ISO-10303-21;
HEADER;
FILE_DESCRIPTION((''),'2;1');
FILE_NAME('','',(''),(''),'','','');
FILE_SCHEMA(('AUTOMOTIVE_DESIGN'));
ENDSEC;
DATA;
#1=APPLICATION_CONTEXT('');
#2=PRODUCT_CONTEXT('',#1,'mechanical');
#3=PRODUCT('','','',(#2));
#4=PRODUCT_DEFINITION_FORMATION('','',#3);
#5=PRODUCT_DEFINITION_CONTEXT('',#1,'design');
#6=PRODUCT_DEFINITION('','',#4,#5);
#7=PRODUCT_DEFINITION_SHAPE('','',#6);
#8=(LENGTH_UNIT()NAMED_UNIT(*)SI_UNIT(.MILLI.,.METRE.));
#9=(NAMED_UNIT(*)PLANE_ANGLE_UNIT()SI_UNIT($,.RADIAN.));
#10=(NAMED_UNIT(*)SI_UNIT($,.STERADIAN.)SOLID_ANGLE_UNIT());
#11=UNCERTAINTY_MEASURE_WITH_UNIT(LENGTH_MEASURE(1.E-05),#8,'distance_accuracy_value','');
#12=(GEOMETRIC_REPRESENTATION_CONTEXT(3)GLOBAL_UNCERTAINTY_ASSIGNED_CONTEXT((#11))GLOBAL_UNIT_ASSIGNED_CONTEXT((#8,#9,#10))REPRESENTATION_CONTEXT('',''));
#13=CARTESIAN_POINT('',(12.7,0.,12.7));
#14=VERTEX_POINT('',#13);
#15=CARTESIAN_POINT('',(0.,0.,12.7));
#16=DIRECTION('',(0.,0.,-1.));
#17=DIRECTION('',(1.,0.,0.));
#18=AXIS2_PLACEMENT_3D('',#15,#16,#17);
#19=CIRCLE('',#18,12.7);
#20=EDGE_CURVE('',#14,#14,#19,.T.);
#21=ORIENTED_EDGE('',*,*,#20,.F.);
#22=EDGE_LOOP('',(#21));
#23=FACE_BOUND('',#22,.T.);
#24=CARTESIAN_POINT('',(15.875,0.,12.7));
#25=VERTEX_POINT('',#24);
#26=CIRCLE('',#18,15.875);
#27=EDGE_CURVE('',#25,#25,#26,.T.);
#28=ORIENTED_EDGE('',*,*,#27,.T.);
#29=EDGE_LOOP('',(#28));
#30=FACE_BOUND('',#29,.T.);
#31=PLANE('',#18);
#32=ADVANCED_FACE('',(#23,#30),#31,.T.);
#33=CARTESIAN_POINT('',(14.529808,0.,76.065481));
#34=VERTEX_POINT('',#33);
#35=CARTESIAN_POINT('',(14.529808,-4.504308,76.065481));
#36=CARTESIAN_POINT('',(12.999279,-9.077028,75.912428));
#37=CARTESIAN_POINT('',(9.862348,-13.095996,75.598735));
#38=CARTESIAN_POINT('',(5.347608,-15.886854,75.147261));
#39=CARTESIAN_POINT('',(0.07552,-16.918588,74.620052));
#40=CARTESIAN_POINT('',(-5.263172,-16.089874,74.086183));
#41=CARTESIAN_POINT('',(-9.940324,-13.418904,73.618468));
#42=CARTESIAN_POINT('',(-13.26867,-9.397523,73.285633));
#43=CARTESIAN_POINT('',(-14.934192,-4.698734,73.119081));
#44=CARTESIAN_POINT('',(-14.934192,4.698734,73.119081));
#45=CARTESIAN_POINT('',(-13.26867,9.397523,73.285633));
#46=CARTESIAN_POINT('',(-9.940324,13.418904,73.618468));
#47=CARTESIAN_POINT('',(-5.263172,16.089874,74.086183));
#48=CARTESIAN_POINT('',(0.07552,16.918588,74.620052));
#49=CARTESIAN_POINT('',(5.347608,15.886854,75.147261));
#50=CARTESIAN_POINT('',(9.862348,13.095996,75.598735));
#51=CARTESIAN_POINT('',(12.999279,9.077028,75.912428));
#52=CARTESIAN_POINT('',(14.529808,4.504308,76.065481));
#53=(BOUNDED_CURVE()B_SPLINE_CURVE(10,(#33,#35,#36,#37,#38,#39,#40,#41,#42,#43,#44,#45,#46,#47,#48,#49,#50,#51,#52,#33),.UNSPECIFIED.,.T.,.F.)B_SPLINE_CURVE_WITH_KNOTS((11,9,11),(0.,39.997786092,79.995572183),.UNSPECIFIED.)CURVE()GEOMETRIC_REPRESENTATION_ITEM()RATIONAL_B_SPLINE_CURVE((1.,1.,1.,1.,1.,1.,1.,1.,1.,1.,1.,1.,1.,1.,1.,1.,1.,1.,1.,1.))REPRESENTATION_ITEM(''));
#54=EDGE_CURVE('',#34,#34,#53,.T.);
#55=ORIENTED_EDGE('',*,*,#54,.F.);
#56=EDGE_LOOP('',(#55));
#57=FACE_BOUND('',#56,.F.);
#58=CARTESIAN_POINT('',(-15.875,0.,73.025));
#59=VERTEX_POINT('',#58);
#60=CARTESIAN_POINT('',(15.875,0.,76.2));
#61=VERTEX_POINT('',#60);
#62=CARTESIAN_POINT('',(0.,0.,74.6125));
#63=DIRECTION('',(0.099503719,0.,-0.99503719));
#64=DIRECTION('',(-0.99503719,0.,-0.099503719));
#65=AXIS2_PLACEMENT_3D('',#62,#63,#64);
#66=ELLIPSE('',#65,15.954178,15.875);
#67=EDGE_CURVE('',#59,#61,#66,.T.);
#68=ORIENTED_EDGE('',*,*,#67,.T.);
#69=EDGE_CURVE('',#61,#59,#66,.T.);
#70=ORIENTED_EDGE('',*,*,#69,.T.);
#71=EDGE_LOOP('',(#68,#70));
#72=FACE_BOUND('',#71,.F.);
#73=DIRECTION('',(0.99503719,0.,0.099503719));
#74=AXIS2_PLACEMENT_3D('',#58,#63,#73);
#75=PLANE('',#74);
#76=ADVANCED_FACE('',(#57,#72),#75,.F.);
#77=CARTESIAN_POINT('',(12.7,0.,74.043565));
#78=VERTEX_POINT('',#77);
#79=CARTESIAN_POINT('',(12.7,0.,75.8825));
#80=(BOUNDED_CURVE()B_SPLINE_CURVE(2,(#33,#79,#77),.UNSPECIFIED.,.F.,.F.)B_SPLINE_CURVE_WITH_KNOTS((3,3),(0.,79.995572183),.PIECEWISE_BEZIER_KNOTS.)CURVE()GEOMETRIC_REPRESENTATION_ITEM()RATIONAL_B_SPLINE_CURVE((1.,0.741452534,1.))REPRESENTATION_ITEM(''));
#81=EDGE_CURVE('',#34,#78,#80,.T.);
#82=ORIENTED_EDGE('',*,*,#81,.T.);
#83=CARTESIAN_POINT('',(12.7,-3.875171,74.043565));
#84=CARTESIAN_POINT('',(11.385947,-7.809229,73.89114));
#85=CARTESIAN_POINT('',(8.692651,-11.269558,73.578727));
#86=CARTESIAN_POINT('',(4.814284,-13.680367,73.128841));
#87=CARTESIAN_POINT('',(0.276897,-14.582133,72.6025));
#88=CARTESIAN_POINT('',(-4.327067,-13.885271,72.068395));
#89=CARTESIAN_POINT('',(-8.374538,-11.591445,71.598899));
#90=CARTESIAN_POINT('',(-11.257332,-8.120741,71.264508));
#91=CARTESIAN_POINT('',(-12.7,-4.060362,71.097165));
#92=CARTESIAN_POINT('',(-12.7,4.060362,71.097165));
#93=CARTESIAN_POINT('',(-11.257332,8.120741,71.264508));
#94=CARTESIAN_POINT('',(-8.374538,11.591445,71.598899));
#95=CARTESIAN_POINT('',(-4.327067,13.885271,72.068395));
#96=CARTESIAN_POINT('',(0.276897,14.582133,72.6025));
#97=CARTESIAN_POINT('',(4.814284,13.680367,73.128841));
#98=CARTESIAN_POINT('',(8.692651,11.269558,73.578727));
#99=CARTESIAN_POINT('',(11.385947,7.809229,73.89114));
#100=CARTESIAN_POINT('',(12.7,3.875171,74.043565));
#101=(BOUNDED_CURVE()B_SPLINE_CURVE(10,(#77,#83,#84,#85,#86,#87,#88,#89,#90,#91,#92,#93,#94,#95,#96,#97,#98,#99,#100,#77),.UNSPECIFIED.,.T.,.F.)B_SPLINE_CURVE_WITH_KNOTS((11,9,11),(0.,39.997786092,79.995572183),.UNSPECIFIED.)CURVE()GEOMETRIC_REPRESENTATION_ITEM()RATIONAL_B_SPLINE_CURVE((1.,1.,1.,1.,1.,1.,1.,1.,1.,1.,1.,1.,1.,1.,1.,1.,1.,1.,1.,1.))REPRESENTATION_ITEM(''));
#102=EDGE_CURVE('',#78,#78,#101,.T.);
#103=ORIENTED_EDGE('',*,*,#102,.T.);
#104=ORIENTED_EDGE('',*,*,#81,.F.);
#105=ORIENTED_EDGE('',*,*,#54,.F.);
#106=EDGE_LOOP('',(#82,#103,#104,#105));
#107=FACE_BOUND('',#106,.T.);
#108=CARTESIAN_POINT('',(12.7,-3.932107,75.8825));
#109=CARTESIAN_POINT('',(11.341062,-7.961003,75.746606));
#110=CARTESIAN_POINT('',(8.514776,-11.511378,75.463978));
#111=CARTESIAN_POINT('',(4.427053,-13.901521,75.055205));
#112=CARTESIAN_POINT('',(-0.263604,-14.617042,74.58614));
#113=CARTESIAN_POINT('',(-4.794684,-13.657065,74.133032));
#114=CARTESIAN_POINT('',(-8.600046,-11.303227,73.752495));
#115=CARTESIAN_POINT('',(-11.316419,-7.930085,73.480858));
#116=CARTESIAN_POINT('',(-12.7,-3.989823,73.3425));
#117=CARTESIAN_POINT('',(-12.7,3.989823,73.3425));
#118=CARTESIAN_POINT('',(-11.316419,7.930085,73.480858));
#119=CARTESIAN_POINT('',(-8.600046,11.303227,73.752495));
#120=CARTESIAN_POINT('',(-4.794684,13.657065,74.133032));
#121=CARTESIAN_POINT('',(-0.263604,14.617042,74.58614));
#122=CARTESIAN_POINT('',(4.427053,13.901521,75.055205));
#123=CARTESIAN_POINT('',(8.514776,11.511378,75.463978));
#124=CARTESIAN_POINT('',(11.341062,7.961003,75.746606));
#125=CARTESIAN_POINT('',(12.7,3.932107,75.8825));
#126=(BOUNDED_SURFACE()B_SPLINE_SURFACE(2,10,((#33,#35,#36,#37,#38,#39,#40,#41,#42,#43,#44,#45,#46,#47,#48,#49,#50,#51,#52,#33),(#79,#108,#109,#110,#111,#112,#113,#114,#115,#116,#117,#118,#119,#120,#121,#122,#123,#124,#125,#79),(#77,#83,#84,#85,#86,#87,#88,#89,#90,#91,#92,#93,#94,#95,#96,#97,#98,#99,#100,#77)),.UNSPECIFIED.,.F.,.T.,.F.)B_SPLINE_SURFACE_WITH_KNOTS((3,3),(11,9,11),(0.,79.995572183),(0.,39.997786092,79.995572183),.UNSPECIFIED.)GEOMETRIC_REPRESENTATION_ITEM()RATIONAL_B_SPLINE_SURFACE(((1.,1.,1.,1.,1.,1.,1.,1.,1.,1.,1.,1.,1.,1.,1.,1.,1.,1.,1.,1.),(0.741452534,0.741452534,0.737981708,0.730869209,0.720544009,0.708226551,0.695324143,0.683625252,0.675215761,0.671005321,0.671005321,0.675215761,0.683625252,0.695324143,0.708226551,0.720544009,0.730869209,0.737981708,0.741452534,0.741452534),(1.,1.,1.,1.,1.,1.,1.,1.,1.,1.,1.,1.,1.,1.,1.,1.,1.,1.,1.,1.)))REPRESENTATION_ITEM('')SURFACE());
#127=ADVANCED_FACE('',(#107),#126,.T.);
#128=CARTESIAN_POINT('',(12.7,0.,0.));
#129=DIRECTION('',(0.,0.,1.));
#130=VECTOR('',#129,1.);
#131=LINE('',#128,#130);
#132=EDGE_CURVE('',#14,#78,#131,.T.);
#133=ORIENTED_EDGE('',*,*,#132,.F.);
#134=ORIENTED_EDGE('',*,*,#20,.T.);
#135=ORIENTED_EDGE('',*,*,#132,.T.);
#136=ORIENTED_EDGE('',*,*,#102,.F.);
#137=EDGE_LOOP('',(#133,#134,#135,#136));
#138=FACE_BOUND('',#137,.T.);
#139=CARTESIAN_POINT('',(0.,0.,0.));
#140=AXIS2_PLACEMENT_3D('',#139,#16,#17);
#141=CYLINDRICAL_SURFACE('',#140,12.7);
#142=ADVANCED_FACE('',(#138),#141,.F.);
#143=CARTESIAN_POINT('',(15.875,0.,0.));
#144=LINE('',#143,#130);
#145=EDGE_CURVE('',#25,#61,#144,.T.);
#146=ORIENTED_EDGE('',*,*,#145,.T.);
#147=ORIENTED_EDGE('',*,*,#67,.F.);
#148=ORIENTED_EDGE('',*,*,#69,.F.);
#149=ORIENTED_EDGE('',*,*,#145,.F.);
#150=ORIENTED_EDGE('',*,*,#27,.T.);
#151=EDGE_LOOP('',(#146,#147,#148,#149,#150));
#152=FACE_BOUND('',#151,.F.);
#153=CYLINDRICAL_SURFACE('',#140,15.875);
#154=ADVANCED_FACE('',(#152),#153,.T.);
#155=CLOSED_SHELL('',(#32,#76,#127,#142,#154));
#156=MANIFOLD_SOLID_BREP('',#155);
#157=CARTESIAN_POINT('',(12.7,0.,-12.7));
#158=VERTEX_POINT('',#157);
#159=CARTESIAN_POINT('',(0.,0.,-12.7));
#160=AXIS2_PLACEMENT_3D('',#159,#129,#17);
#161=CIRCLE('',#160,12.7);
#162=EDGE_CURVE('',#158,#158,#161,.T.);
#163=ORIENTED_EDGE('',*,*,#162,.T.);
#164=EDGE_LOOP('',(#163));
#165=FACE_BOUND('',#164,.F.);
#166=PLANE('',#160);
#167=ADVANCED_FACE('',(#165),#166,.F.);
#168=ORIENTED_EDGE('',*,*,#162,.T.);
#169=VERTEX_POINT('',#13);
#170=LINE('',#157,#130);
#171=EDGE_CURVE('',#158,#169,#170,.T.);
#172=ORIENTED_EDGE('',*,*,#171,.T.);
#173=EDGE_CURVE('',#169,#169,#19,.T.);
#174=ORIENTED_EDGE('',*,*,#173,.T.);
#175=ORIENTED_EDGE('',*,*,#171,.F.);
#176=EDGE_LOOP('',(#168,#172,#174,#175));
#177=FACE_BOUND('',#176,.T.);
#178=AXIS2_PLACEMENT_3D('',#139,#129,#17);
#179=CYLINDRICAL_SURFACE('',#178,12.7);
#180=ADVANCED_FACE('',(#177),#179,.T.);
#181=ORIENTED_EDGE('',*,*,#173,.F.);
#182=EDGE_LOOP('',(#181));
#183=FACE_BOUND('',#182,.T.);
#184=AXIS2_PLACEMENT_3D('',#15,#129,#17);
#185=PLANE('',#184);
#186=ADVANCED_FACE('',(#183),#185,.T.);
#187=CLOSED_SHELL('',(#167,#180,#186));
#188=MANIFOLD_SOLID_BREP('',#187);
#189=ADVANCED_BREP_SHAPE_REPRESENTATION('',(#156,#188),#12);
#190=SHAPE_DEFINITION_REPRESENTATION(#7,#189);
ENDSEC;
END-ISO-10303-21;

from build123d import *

# Parameters (mm, degrees)
F0_R      = 15.875
F0_R_2    = 12.7
F1_DEPTH  = 76.2
F2_DEPTH  = 3.175
F4_DEPTH  = 19.05
F5_R      = 2.032
F2_FACE_R = 15.875
F6_DEPTH  = 12.7
F7_DEPTH  = 12.7


with BuildPart() as f1:
    # F0 (on Top) → F1 (new body)
    with BuildSketch(Plane.XY):
        Circle(F0_R)
        Circle(F0_R_2, mode=Mode.SUBTRACT)
    extrude(amount=F1_DEPTH)

    # F0 (on Top) → F2 (join)
    with BuildSketch(Plane.XY):
        Circle(F0_R_2)
    extrude(amount=F2_DEPTH)

    # F3 (on Front) → F4 (cut, symmetric)
    with BuildSketch(Plane.XZ):
        Polygon((-15.875, 73.025), (15.875, 76.2), (-15.875, 76.2), align=None)
    extrude(amount=F4_DEPTH, both=True, mode=Mode.SUBTRACT)

    # F5
    f5_edges = [f1.edges().sort_by_distance(p)[0] for p in [
        (-12.7, 0, 73.3425),
    ]]
    fillet(f5_edges, radius=F5_R)

    # F2_face (on face) → F6 (cut)
    with BuildSketch(Plane(origin=(0, 0, 0), x_dir=(1, 0, 0), z_dir=(0, 0, -1))):
        Circle(F2_FACE_R)
    extrude(amount=-F6_DEPTH, mode=Mode.SUBTRACT)

    # F0 (on Top) → F7 (join, symmetric)
    with BuildSketch(Plane.XY):
        Circle(F0_R_2)
    extrude(amount=F7_DEPTH, both=True)


solid = f1.part
